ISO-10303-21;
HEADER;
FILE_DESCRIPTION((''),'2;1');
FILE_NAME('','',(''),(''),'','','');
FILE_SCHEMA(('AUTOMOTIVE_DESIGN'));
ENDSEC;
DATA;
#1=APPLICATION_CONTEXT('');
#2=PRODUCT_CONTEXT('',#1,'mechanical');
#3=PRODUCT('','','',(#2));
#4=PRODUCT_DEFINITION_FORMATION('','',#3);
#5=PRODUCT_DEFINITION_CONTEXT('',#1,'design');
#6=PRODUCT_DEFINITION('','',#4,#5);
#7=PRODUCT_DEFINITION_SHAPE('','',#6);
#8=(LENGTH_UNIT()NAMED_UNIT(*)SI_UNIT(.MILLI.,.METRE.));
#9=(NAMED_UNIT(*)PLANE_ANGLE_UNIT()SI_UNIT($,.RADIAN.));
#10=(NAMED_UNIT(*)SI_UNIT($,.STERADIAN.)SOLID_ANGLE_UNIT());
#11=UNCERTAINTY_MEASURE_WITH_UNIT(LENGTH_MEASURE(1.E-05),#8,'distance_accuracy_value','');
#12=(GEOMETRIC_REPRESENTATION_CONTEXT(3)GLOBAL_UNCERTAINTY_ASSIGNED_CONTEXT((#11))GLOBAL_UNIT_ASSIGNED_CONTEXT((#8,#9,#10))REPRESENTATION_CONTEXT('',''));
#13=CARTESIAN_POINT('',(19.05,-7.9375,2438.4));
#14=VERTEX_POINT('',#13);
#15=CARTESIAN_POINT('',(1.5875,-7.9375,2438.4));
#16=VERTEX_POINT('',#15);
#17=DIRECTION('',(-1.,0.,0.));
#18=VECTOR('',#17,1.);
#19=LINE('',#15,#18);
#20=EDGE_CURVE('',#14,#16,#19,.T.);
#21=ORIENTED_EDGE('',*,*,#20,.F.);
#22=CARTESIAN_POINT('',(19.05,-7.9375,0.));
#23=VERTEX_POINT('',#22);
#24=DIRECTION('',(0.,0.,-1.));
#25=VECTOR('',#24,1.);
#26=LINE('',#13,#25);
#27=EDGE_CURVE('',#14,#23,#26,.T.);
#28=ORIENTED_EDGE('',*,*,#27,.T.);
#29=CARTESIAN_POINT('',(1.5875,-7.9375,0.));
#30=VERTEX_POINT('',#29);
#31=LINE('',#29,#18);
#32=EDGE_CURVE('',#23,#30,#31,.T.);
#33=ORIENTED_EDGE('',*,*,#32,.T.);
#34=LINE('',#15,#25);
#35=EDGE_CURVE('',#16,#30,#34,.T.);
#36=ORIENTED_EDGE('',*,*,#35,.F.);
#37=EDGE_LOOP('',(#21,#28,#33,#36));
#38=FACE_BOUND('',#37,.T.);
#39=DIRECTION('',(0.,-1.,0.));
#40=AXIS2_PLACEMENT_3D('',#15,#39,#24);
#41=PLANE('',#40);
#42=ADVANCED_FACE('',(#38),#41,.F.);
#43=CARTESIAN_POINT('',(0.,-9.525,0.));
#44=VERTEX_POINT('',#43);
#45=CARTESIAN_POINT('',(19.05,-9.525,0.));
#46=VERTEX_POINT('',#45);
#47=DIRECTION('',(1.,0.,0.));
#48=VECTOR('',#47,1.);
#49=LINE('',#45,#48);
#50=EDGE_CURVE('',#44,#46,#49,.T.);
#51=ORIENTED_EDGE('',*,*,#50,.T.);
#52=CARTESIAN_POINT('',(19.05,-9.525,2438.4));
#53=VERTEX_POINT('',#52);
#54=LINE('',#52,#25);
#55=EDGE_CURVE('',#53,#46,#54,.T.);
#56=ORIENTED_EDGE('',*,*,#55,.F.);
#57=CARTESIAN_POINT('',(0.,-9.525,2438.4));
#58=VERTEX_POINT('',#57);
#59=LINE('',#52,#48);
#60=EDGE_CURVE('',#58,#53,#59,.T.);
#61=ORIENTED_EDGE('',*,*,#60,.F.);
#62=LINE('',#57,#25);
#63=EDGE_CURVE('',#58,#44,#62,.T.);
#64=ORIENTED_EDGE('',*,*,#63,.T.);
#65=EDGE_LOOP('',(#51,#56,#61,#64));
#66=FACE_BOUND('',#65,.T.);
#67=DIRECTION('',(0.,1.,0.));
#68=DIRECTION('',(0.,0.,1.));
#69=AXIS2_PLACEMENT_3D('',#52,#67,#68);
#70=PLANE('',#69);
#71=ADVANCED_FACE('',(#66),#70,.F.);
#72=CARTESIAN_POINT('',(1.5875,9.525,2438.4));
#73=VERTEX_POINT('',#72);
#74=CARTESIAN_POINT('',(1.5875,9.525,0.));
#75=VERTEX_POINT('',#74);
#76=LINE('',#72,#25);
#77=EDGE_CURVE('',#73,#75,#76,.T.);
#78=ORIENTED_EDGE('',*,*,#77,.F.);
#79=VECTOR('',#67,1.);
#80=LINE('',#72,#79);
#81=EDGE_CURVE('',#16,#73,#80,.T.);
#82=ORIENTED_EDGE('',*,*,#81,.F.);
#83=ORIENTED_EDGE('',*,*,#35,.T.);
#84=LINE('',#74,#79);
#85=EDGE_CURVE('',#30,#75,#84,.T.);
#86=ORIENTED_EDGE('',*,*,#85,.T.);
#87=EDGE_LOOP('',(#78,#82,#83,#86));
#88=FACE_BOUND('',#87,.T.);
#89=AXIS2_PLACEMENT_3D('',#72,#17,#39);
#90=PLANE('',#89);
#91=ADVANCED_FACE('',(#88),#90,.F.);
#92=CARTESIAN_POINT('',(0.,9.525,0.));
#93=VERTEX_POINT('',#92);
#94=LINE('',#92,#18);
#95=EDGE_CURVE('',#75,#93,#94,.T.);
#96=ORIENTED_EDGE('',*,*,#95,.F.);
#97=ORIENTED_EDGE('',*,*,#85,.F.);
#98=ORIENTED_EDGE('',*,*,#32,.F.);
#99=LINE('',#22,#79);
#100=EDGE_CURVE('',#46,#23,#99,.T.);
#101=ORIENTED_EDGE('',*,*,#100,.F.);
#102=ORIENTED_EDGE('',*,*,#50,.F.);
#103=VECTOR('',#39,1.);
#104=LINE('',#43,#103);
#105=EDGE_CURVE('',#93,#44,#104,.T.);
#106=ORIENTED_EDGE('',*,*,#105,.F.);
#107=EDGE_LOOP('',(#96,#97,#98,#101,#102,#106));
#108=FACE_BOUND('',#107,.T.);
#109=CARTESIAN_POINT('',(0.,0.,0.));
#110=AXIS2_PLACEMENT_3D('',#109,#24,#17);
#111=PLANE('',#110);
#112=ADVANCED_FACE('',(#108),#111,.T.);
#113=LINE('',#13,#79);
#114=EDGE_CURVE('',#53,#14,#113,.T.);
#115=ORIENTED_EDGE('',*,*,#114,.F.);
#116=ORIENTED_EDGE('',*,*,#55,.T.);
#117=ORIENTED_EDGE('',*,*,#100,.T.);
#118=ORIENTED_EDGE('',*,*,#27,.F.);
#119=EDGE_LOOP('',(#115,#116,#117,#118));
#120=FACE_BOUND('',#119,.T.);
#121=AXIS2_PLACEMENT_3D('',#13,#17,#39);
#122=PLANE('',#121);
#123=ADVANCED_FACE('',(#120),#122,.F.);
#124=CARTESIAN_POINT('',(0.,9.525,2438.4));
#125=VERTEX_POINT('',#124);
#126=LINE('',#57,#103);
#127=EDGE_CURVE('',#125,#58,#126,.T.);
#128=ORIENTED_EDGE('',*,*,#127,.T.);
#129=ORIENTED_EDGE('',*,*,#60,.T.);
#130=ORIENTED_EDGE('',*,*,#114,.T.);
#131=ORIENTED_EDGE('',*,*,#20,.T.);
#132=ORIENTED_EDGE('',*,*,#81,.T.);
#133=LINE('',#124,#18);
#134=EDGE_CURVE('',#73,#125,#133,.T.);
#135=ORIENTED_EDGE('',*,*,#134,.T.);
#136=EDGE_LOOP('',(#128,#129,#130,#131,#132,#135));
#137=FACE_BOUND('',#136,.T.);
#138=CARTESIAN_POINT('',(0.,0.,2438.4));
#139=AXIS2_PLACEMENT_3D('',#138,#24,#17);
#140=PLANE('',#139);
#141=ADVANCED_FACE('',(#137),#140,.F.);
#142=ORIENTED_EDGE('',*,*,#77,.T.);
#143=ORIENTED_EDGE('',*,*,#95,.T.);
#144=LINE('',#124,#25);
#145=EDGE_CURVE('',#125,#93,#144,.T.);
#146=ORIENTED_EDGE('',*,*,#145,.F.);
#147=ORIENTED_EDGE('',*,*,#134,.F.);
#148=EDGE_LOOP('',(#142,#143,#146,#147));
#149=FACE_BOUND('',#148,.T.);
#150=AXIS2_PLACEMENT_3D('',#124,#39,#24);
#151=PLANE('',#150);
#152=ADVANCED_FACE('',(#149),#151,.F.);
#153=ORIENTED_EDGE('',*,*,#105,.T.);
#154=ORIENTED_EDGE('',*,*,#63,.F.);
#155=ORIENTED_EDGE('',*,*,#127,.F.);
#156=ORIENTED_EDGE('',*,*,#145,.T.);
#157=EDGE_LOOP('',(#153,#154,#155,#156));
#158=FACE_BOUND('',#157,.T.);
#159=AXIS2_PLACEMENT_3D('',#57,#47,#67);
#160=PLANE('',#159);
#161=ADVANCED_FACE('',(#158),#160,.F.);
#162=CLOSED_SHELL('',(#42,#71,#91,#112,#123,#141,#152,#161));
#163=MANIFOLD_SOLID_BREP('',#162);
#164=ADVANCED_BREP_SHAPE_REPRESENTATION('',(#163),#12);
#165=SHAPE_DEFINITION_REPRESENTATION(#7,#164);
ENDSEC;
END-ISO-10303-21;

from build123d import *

# Parameters (mm, degrees)
BOSS_EXTRUDE1_DEPTH = 2438.4


with BuildPart() as part:
    # Sketch2 → Boss-Extrude1 (new body)
    with BuildSketch(Plane.XY):
        Polygon((0, -9.525), (0, 9.525), (1.5875, 9.525), (1.5875, -7.9375), (19.05, -7.9375), (19.05, -9.525), align=None)
    extrude(amount=BOSS_EXTRUDE1_DEPTH)


solid = part.part
